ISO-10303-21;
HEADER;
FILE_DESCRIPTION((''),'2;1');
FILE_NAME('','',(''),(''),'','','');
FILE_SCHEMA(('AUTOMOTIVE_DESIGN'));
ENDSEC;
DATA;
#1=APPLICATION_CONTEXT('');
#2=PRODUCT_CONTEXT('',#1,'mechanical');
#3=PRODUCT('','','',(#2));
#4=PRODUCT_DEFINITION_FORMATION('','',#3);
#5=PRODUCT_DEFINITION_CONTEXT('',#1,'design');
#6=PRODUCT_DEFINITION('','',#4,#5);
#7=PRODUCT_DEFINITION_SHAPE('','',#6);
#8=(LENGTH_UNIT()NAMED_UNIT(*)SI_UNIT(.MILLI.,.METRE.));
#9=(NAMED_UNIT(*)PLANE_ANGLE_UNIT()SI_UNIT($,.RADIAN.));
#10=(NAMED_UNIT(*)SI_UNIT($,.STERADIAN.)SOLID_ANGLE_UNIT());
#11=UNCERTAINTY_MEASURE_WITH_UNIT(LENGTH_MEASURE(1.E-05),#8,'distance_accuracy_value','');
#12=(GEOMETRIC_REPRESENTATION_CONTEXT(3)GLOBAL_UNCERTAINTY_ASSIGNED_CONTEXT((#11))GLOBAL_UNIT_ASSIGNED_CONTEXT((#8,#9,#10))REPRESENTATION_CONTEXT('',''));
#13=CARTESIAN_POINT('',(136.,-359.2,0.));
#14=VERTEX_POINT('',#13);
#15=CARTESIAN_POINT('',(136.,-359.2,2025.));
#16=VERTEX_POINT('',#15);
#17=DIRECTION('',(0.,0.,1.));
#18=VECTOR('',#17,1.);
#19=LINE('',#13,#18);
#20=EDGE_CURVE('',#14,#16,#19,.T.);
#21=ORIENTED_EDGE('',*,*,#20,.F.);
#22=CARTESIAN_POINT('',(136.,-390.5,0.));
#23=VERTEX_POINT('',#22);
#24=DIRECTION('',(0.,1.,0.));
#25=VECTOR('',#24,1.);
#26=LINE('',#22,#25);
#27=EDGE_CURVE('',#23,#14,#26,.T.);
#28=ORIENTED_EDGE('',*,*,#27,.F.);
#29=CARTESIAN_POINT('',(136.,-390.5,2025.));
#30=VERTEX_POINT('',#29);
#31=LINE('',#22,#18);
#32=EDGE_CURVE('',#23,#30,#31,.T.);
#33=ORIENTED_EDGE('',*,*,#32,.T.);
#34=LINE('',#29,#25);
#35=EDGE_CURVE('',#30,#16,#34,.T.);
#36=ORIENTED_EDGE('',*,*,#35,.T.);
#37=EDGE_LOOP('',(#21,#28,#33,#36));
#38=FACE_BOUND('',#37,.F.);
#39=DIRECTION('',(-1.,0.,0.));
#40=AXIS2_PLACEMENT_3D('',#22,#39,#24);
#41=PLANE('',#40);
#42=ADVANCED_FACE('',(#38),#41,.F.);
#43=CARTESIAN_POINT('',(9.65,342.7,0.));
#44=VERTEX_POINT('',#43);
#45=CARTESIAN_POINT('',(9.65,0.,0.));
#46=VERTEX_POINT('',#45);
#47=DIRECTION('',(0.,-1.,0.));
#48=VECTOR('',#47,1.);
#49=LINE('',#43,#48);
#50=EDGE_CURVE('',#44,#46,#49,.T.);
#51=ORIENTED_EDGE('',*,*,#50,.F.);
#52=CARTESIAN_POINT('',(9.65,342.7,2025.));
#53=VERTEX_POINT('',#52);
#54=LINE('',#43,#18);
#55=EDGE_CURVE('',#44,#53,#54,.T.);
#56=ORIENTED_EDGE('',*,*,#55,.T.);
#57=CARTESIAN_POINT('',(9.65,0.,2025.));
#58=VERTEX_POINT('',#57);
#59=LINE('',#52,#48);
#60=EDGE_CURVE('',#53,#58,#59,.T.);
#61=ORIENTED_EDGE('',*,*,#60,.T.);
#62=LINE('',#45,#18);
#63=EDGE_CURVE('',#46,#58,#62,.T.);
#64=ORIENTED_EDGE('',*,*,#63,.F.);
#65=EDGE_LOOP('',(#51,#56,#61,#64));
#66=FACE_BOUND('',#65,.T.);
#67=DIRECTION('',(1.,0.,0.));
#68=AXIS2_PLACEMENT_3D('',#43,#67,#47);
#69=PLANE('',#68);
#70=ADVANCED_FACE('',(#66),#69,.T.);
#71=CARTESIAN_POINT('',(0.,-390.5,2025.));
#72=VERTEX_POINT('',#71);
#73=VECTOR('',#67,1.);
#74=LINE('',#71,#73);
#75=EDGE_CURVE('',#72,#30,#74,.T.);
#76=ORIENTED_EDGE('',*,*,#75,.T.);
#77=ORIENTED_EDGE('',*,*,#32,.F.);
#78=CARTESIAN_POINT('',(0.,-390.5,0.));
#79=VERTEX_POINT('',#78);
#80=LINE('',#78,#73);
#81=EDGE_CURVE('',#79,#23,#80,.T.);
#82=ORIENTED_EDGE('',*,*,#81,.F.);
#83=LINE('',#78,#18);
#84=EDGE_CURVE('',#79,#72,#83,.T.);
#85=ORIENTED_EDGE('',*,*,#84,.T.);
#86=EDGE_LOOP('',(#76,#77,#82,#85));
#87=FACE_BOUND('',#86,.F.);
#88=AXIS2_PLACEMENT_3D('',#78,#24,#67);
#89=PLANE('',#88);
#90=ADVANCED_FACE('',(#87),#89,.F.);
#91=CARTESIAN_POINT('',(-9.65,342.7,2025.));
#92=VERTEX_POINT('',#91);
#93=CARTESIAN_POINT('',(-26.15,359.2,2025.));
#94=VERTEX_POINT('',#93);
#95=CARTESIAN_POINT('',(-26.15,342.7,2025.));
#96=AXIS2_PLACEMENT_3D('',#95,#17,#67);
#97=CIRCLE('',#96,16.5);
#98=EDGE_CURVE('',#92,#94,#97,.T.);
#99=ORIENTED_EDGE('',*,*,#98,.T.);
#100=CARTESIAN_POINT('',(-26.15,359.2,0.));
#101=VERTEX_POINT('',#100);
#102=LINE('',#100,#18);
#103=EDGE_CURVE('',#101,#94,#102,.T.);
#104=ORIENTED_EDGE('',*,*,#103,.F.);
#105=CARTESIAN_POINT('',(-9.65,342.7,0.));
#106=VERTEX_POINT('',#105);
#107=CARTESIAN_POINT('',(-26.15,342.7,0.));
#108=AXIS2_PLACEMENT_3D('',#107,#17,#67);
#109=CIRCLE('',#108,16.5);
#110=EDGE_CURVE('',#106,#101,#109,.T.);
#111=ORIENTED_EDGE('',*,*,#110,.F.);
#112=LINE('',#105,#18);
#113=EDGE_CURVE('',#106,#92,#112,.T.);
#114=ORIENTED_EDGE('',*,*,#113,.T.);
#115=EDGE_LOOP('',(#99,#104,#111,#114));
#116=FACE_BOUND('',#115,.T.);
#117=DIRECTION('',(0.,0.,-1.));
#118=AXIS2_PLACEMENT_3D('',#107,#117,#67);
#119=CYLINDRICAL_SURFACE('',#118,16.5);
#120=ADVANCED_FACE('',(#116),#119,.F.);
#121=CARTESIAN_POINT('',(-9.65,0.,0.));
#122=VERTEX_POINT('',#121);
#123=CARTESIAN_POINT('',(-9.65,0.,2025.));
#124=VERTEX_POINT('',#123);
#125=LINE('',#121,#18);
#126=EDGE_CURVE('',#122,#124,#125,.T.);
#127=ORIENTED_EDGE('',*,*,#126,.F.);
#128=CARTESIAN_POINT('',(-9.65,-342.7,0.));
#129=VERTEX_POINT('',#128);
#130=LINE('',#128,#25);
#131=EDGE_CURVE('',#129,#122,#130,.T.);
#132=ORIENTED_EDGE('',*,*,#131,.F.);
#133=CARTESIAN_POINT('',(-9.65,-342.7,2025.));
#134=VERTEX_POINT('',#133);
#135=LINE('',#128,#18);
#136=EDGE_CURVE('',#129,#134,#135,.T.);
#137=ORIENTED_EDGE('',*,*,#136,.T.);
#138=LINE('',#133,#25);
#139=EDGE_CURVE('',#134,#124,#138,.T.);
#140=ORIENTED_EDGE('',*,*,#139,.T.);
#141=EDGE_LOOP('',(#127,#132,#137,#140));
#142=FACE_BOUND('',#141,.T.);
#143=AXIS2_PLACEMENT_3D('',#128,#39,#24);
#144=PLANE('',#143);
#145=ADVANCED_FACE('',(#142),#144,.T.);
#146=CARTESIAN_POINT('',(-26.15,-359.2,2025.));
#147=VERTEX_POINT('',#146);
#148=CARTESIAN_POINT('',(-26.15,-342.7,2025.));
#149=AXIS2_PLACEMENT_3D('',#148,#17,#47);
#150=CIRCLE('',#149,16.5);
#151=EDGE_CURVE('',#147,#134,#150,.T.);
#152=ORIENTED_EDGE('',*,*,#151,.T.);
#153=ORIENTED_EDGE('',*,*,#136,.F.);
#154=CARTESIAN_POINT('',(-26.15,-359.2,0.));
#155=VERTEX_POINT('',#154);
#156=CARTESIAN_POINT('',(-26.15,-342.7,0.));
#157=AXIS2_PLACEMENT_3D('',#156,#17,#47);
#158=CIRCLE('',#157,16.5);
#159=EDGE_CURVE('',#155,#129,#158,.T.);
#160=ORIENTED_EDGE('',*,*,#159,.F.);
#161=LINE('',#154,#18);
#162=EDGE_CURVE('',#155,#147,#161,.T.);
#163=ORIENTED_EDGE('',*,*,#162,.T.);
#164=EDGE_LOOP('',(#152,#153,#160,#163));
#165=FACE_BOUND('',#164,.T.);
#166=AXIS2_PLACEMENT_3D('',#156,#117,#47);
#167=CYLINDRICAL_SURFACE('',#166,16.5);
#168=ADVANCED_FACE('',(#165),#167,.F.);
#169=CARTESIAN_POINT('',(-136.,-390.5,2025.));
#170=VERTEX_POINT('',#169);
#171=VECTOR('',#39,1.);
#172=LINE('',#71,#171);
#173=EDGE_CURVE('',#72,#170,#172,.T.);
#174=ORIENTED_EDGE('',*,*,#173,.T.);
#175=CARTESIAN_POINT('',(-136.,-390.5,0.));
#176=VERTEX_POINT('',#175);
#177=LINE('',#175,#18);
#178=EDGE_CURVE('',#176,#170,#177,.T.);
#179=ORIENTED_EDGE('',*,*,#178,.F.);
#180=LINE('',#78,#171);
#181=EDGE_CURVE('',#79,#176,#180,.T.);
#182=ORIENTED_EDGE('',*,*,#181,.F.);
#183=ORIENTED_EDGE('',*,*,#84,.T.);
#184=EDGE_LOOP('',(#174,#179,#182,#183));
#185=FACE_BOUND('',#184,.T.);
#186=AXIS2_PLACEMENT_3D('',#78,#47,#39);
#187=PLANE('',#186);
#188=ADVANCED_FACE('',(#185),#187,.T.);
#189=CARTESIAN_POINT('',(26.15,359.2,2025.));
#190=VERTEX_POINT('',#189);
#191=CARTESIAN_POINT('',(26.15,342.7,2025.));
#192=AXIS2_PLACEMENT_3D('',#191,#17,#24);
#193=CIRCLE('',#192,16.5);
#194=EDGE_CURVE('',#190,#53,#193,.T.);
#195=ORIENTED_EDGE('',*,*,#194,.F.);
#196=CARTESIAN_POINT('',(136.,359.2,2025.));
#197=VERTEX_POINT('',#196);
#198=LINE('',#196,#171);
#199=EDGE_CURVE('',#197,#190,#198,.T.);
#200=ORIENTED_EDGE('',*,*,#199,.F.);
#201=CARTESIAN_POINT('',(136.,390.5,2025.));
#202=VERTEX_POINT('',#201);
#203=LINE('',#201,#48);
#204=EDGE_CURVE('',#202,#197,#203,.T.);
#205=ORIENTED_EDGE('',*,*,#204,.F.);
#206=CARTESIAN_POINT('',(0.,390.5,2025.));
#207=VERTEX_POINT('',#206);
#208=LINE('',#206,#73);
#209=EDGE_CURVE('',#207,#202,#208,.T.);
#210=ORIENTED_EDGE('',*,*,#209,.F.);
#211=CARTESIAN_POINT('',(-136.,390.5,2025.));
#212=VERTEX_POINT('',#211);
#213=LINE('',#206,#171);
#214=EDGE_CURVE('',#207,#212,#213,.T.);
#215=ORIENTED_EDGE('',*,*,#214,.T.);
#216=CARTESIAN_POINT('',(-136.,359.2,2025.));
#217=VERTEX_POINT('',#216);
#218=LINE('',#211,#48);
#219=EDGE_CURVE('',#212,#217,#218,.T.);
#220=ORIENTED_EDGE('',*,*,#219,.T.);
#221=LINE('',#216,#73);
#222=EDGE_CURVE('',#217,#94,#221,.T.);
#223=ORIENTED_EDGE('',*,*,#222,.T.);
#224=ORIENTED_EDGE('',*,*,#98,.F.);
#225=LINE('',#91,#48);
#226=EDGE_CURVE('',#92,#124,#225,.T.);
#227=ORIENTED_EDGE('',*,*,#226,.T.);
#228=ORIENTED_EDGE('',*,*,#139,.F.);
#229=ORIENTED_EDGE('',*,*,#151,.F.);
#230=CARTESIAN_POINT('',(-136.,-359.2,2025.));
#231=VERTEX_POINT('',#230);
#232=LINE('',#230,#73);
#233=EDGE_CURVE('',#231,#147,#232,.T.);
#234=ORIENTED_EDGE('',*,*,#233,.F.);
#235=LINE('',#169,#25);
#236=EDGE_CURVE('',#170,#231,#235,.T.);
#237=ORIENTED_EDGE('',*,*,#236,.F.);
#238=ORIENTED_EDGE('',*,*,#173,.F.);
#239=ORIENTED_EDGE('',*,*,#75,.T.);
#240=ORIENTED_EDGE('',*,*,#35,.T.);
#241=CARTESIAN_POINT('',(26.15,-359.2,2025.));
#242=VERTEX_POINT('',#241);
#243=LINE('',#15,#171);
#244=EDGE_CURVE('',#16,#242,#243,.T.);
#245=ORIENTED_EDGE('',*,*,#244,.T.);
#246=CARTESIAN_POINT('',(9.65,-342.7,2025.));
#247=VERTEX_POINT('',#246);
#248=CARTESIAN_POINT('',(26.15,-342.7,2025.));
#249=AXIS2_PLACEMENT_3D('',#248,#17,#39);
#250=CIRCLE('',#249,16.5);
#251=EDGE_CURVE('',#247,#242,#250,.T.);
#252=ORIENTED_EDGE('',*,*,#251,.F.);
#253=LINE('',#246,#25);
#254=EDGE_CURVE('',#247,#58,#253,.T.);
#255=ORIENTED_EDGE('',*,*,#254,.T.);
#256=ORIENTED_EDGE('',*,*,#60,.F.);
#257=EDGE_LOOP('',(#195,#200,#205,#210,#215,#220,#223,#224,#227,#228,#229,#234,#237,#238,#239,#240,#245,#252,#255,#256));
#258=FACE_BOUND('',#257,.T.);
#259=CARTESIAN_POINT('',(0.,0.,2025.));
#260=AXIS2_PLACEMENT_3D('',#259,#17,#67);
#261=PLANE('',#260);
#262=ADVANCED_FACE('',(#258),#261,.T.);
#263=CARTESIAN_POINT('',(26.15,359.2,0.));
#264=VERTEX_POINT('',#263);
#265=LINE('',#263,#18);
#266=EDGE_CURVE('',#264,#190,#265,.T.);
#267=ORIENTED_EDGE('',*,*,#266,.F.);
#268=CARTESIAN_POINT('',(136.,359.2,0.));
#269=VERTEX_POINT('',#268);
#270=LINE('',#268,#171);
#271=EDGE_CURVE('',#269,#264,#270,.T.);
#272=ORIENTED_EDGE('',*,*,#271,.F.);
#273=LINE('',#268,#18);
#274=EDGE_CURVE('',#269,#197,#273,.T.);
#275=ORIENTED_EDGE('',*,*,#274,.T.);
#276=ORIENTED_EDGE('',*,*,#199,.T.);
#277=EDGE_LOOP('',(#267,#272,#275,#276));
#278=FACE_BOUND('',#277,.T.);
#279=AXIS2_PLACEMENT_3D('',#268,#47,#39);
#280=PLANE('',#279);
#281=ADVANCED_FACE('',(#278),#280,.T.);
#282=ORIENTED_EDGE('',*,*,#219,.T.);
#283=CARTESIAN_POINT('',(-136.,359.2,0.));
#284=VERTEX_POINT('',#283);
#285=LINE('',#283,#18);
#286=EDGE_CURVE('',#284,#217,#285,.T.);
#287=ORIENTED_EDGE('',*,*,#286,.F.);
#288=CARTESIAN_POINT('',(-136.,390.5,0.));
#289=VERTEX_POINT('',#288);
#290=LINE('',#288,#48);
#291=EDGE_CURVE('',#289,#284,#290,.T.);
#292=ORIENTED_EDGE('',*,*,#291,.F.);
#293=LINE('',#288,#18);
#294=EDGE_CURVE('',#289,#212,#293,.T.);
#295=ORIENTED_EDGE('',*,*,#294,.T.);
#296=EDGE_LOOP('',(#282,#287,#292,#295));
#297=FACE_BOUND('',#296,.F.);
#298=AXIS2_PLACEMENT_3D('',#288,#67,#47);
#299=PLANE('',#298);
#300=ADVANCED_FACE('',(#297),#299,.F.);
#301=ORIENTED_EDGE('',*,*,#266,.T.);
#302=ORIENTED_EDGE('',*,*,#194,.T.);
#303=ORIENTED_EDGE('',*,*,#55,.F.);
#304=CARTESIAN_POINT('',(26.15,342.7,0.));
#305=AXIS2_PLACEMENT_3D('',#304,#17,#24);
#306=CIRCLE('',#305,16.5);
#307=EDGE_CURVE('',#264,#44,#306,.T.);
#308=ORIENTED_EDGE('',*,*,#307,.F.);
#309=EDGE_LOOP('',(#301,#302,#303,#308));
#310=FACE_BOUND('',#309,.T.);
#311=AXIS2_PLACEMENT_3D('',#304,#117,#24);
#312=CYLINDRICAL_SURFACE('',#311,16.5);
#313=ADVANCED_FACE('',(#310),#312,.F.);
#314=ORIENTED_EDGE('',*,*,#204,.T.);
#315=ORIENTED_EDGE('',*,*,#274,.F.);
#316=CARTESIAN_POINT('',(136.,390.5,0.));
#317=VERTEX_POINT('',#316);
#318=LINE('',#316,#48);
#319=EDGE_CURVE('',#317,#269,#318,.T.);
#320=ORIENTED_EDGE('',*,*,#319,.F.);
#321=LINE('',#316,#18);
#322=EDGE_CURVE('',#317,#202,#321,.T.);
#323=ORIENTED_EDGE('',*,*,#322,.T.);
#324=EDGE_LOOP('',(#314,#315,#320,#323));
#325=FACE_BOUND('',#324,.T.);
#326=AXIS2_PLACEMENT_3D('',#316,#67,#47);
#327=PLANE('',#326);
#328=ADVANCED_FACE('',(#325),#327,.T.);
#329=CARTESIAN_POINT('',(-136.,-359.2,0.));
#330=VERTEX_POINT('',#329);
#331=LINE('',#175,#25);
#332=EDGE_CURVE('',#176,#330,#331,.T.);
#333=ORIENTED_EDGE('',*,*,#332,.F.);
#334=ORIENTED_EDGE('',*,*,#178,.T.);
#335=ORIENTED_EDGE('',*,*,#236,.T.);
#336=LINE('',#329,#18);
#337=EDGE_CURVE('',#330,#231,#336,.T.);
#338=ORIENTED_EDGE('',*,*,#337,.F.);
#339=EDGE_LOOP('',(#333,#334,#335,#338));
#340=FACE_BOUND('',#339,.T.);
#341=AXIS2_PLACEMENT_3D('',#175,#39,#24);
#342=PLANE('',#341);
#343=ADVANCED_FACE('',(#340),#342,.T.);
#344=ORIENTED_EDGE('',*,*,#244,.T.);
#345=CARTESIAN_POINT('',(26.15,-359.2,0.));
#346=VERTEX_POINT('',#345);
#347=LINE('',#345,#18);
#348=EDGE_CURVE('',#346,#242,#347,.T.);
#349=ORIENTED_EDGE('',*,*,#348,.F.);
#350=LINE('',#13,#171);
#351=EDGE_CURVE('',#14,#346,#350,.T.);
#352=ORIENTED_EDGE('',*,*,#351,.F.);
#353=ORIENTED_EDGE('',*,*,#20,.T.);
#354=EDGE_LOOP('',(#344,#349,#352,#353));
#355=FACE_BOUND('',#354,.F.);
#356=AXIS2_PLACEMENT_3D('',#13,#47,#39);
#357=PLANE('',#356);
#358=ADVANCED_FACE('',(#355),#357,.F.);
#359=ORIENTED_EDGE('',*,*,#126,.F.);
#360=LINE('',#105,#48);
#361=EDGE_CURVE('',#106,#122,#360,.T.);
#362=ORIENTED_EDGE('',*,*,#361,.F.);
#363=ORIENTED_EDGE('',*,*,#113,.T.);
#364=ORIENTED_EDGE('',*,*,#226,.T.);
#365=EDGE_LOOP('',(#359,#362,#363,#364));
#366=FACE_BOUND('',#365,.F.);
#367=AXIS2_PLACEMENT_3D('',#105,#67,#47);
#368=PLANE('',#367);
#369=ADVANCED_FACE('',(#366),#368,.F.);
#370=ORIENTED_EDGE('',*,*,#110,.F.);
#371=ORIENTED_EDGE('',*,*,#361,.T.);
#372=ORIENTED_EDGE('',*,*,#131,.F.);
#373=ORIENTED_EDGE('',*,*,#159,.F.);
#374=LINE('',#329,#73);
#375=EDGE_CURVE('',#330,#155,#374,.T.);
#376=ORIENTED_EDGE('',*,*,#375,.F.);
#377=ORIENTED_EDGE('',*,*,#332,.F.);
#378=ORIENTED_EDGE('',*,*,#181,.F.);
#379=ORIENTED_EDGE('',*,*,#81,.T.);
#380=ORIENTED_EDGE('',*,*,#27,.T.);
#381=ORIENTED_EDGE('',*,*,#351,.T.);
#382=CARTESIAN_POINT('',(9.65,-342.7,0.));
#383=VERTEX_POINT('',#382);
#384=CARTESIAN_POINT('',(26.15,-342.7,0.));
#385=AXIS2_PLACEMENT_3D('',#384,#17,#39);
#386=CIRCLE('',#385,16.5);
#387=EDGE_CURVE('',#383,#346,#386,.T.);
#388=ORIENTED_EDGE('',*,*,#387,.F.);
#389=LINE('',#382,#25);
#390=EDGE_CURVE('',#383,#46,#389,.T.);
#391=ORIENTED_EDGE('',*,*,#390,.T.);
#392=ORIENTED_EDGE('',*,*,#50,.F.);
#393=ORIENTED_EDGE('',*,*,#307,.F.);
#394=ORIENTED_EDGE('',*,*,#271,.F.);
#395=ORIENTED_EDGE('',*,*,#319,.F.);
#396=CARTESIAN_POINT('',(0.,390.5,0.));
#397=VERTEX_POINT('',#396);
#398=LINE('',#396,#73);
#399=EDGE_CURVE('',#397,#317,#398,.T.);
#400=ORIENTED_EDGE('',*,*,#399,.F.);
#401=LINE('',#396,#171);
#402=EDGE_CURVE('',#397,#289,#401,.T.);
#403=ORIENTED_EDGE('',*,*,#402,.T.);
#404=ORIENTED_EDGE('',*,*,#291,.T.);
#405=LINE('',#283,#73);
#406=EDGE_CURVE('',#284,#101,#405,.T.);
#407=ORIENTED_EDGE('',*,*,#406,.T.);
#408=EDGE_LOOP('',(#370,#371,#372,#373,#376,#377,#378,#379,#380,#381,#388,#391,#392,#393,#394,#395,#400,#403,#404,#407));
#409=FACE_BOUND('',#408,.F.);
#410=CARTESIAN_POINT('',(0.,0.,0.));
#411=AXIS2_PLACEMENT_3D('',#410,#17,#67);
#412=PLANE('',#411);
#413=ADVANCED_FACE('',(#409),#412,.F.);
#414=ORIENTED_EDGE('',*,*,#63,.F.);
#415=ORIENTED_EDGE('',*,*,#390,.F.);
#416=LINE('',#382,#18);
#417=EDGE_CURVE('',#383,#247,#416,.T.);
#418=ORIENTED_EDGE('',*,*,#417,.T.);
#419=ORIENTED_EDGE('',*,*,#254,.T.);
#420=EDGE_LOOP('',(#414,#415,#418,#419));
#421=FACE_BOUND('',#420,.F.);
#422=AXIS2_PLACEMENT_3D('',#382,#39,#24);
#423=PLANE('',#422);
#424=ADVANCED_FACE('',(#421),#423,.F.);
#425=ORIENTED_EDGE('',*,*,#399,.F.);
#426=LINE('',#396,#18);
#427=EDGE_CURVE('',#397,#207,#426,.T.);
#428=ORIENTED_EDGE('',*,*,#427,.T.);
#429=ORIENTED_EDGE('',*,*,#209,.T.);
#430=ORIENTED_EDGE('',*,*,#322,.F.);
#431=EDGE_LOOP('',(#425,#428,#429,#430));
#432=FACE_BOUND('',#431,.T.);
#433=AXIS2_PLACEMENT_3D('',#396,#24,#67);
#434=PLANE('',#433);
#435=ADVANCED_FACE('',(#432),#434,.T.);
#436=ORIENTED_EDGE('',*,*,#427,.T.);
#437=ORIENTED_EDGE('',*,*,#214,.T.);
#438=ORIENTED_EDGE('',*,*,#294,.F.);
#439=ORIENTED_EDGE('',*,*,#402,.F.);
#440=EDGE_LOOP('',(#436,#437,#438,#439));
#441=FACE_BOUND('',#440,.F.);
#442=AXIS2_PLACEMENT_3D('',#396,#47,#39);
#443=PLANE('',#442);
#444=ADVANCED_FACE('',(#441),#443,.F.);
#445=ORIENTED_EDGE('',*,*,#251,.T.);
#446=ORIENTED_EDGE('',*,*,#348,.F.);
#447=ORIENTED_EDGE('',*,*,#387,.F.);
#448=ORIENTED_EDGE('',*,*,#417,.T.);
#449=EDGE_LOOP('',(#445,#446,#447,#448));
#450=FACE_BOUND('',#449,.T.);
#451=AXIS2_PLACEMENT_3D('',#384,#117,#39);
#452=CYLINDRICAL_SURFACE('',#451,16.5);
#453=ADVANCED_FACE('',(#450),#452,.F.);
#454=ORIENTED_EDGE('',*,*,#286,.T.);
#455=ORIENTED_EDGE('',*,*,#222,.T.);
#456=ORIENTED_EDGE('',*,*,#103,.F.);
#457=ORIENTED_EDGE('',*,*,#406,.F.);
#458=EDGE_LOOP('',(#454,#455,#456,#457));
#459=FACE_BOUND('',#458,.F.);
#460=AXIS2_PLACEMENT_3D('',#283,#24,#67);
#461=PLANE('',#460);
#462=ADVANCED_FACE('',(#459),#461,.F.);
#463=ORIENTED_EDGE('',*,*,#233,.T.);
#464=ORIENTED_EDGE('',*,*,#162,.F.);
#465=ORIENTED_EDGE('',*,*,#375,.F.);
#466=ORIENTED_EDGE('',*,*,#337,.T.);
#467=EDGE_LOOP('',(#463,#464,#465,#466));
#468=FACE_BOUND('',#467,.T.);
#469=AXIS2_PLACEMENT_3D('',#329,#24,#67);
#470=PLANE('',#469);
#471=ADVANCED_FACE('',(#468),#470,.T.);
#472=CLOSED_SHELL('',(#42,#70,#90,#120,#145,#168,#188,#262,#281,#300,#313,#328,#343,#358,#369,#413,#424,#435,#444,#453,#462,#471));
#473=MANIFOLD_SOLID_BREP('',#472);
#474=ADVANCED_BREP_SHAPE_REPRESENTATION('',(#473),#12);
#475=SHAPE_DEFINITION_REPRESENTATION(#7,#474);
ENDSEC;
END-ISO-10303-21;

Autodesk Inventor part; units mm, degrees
ref_plane "YZ Plane" through (0, 0, 0) normal (1, 0, 0) x (0, 1, 0)
ref_plane "Start plane" through (0, 0, 0) normal (0, 0, 1) x (1, 0, 0)
ref_plane "End plane" through (0, 0, 2025) normal (0, 0, 1) x (1, 0, 0)
sketch "Sketch" plane through (0, 0, 0) normal (0, 0, 1) x (1, 0, 0)
  line L0 (-136, -390.5) -> (-136, -359.2)
  line L1 (-136, -359.2) -> (-26.15, -359.2)
  line L2 (-9.65, -342.7) -> (-9.65, 0)
  line L3 (-9.65, 0) -> (0, 0) construction
  line L4 (0, 0) -> (0, -390.5) construction
  line L5 (0, -390.5) -> (-136, -390.5)
  line L6 (-60, 0) -> (80, 0) construction
  line L7 (0, -60) -> (0, 80) construction
  line L8 (136, -390.5) -> (136, -359.2)
  line L9 (136, -359.2) -> (26.15, -359.2)
  line L10 (9.65, -342.7) -> (9.65, 0)
  line L11 (9.65, 0) -> (0, 0) construction
  line L12 (0, -390.5) -> (136, -390.5)
  line L13 (-136, 390.5) -> (-136, 359.2)
  line L14 (-136, 359.2) -> (-26.15, 359.2)
  line L15 (-9.65, 342.7) -> (-9.65, 0)
  line L16 (0, 390.5) -> (-136, 390.5)
  line L17 (136, 390.5) -> (136, 359.2)
  line L18 (136, 359.2) -> (26.15, 359.2)
  line L19 (0, 390.5) -> (136, 390.5)
  line L20 (9.65, 342.7) -> (9.65, 0)
  arc A0 (-9.65, 342.7) -> (-26.15, 359.2) centre (-26.15, 342.7) ccw
  arc A1 (26.15, 359.2) -> (9.65, 342.7) centre (26.15, 342.7) ccw
  arc A2 (9.65, -342.7) -> (26.15, -359.2) centre (26.15, -342.7) ccw
  arc A3 (-26.15, -359.2) -> (-9.65, -342.7) centre (-26.15, -342.7) ccw
  line L21 (0, 108) -> (0, -88) construction
  line L22 (-88, 0) -> (108, 0) construction
  point P0 (-9.65, -359.2)
  point P1 (9.65, -359.2)
  point P2 (-9.65, 359.2)
  point P3 (9.65, 359.2)
  dimension "d1" = 390.5
  dimension "d2" = 31.3
  dimension "d3" = 136
  dimension "d4" = 9.65
  dimension "d10" = 16.5
extrude "Body" add sketch "Sketch" along normal up to surface (2025 mm away) from surface at 0
sketch "Sketch4" plane through (0, 0, 0) normal (0, 0, 1) x (1, 0, 0)
  line L0 (0, 0) -> (10, 0)
ref_plane "Work Plane3" through (0, 0, 0) normal (0, -1, 0) x (1, 0, 0)
sketch "Sketch5" plane through (0, 0, 0) normal (0, -1, 0) x (1, 0, 0)
  line L0 (-2, 0) -> (12, 0) projected
  line L1 (-2, 2025) -> (12, 2025) projected
  dimension "d14" = 2025
equation "\"d1\" = 0.5 * G_H"
equation "\"d2\" = G_T1"
equation "\"d3\" = 0.5 * G_W"
equation "\"d4\" = 0.5 * G_T"
equation "\"d10\" = G_IR"
equation "\"d5\" = G_L"
equation "\"G_W\" = 272"
equation "\"G_H\" = 781"
equation "\"G_T\" = 19.3"
equation "\"G_T1\" = 31.3"
equation "\"G_IR\" = 16.5"
equation "\"G_L\" = d14"
equation "\"G_OFFSET_START\" = 0"
equation "\"G_OFFSET_END\" = 0"
equation "\"d12\" = G_OFFSET_END + B_L"
equation "\"B_L\" = 2025"
properties part number "AS 3679-1990 - 760 UB - 244 - 2025" material "Steel, Mild"
